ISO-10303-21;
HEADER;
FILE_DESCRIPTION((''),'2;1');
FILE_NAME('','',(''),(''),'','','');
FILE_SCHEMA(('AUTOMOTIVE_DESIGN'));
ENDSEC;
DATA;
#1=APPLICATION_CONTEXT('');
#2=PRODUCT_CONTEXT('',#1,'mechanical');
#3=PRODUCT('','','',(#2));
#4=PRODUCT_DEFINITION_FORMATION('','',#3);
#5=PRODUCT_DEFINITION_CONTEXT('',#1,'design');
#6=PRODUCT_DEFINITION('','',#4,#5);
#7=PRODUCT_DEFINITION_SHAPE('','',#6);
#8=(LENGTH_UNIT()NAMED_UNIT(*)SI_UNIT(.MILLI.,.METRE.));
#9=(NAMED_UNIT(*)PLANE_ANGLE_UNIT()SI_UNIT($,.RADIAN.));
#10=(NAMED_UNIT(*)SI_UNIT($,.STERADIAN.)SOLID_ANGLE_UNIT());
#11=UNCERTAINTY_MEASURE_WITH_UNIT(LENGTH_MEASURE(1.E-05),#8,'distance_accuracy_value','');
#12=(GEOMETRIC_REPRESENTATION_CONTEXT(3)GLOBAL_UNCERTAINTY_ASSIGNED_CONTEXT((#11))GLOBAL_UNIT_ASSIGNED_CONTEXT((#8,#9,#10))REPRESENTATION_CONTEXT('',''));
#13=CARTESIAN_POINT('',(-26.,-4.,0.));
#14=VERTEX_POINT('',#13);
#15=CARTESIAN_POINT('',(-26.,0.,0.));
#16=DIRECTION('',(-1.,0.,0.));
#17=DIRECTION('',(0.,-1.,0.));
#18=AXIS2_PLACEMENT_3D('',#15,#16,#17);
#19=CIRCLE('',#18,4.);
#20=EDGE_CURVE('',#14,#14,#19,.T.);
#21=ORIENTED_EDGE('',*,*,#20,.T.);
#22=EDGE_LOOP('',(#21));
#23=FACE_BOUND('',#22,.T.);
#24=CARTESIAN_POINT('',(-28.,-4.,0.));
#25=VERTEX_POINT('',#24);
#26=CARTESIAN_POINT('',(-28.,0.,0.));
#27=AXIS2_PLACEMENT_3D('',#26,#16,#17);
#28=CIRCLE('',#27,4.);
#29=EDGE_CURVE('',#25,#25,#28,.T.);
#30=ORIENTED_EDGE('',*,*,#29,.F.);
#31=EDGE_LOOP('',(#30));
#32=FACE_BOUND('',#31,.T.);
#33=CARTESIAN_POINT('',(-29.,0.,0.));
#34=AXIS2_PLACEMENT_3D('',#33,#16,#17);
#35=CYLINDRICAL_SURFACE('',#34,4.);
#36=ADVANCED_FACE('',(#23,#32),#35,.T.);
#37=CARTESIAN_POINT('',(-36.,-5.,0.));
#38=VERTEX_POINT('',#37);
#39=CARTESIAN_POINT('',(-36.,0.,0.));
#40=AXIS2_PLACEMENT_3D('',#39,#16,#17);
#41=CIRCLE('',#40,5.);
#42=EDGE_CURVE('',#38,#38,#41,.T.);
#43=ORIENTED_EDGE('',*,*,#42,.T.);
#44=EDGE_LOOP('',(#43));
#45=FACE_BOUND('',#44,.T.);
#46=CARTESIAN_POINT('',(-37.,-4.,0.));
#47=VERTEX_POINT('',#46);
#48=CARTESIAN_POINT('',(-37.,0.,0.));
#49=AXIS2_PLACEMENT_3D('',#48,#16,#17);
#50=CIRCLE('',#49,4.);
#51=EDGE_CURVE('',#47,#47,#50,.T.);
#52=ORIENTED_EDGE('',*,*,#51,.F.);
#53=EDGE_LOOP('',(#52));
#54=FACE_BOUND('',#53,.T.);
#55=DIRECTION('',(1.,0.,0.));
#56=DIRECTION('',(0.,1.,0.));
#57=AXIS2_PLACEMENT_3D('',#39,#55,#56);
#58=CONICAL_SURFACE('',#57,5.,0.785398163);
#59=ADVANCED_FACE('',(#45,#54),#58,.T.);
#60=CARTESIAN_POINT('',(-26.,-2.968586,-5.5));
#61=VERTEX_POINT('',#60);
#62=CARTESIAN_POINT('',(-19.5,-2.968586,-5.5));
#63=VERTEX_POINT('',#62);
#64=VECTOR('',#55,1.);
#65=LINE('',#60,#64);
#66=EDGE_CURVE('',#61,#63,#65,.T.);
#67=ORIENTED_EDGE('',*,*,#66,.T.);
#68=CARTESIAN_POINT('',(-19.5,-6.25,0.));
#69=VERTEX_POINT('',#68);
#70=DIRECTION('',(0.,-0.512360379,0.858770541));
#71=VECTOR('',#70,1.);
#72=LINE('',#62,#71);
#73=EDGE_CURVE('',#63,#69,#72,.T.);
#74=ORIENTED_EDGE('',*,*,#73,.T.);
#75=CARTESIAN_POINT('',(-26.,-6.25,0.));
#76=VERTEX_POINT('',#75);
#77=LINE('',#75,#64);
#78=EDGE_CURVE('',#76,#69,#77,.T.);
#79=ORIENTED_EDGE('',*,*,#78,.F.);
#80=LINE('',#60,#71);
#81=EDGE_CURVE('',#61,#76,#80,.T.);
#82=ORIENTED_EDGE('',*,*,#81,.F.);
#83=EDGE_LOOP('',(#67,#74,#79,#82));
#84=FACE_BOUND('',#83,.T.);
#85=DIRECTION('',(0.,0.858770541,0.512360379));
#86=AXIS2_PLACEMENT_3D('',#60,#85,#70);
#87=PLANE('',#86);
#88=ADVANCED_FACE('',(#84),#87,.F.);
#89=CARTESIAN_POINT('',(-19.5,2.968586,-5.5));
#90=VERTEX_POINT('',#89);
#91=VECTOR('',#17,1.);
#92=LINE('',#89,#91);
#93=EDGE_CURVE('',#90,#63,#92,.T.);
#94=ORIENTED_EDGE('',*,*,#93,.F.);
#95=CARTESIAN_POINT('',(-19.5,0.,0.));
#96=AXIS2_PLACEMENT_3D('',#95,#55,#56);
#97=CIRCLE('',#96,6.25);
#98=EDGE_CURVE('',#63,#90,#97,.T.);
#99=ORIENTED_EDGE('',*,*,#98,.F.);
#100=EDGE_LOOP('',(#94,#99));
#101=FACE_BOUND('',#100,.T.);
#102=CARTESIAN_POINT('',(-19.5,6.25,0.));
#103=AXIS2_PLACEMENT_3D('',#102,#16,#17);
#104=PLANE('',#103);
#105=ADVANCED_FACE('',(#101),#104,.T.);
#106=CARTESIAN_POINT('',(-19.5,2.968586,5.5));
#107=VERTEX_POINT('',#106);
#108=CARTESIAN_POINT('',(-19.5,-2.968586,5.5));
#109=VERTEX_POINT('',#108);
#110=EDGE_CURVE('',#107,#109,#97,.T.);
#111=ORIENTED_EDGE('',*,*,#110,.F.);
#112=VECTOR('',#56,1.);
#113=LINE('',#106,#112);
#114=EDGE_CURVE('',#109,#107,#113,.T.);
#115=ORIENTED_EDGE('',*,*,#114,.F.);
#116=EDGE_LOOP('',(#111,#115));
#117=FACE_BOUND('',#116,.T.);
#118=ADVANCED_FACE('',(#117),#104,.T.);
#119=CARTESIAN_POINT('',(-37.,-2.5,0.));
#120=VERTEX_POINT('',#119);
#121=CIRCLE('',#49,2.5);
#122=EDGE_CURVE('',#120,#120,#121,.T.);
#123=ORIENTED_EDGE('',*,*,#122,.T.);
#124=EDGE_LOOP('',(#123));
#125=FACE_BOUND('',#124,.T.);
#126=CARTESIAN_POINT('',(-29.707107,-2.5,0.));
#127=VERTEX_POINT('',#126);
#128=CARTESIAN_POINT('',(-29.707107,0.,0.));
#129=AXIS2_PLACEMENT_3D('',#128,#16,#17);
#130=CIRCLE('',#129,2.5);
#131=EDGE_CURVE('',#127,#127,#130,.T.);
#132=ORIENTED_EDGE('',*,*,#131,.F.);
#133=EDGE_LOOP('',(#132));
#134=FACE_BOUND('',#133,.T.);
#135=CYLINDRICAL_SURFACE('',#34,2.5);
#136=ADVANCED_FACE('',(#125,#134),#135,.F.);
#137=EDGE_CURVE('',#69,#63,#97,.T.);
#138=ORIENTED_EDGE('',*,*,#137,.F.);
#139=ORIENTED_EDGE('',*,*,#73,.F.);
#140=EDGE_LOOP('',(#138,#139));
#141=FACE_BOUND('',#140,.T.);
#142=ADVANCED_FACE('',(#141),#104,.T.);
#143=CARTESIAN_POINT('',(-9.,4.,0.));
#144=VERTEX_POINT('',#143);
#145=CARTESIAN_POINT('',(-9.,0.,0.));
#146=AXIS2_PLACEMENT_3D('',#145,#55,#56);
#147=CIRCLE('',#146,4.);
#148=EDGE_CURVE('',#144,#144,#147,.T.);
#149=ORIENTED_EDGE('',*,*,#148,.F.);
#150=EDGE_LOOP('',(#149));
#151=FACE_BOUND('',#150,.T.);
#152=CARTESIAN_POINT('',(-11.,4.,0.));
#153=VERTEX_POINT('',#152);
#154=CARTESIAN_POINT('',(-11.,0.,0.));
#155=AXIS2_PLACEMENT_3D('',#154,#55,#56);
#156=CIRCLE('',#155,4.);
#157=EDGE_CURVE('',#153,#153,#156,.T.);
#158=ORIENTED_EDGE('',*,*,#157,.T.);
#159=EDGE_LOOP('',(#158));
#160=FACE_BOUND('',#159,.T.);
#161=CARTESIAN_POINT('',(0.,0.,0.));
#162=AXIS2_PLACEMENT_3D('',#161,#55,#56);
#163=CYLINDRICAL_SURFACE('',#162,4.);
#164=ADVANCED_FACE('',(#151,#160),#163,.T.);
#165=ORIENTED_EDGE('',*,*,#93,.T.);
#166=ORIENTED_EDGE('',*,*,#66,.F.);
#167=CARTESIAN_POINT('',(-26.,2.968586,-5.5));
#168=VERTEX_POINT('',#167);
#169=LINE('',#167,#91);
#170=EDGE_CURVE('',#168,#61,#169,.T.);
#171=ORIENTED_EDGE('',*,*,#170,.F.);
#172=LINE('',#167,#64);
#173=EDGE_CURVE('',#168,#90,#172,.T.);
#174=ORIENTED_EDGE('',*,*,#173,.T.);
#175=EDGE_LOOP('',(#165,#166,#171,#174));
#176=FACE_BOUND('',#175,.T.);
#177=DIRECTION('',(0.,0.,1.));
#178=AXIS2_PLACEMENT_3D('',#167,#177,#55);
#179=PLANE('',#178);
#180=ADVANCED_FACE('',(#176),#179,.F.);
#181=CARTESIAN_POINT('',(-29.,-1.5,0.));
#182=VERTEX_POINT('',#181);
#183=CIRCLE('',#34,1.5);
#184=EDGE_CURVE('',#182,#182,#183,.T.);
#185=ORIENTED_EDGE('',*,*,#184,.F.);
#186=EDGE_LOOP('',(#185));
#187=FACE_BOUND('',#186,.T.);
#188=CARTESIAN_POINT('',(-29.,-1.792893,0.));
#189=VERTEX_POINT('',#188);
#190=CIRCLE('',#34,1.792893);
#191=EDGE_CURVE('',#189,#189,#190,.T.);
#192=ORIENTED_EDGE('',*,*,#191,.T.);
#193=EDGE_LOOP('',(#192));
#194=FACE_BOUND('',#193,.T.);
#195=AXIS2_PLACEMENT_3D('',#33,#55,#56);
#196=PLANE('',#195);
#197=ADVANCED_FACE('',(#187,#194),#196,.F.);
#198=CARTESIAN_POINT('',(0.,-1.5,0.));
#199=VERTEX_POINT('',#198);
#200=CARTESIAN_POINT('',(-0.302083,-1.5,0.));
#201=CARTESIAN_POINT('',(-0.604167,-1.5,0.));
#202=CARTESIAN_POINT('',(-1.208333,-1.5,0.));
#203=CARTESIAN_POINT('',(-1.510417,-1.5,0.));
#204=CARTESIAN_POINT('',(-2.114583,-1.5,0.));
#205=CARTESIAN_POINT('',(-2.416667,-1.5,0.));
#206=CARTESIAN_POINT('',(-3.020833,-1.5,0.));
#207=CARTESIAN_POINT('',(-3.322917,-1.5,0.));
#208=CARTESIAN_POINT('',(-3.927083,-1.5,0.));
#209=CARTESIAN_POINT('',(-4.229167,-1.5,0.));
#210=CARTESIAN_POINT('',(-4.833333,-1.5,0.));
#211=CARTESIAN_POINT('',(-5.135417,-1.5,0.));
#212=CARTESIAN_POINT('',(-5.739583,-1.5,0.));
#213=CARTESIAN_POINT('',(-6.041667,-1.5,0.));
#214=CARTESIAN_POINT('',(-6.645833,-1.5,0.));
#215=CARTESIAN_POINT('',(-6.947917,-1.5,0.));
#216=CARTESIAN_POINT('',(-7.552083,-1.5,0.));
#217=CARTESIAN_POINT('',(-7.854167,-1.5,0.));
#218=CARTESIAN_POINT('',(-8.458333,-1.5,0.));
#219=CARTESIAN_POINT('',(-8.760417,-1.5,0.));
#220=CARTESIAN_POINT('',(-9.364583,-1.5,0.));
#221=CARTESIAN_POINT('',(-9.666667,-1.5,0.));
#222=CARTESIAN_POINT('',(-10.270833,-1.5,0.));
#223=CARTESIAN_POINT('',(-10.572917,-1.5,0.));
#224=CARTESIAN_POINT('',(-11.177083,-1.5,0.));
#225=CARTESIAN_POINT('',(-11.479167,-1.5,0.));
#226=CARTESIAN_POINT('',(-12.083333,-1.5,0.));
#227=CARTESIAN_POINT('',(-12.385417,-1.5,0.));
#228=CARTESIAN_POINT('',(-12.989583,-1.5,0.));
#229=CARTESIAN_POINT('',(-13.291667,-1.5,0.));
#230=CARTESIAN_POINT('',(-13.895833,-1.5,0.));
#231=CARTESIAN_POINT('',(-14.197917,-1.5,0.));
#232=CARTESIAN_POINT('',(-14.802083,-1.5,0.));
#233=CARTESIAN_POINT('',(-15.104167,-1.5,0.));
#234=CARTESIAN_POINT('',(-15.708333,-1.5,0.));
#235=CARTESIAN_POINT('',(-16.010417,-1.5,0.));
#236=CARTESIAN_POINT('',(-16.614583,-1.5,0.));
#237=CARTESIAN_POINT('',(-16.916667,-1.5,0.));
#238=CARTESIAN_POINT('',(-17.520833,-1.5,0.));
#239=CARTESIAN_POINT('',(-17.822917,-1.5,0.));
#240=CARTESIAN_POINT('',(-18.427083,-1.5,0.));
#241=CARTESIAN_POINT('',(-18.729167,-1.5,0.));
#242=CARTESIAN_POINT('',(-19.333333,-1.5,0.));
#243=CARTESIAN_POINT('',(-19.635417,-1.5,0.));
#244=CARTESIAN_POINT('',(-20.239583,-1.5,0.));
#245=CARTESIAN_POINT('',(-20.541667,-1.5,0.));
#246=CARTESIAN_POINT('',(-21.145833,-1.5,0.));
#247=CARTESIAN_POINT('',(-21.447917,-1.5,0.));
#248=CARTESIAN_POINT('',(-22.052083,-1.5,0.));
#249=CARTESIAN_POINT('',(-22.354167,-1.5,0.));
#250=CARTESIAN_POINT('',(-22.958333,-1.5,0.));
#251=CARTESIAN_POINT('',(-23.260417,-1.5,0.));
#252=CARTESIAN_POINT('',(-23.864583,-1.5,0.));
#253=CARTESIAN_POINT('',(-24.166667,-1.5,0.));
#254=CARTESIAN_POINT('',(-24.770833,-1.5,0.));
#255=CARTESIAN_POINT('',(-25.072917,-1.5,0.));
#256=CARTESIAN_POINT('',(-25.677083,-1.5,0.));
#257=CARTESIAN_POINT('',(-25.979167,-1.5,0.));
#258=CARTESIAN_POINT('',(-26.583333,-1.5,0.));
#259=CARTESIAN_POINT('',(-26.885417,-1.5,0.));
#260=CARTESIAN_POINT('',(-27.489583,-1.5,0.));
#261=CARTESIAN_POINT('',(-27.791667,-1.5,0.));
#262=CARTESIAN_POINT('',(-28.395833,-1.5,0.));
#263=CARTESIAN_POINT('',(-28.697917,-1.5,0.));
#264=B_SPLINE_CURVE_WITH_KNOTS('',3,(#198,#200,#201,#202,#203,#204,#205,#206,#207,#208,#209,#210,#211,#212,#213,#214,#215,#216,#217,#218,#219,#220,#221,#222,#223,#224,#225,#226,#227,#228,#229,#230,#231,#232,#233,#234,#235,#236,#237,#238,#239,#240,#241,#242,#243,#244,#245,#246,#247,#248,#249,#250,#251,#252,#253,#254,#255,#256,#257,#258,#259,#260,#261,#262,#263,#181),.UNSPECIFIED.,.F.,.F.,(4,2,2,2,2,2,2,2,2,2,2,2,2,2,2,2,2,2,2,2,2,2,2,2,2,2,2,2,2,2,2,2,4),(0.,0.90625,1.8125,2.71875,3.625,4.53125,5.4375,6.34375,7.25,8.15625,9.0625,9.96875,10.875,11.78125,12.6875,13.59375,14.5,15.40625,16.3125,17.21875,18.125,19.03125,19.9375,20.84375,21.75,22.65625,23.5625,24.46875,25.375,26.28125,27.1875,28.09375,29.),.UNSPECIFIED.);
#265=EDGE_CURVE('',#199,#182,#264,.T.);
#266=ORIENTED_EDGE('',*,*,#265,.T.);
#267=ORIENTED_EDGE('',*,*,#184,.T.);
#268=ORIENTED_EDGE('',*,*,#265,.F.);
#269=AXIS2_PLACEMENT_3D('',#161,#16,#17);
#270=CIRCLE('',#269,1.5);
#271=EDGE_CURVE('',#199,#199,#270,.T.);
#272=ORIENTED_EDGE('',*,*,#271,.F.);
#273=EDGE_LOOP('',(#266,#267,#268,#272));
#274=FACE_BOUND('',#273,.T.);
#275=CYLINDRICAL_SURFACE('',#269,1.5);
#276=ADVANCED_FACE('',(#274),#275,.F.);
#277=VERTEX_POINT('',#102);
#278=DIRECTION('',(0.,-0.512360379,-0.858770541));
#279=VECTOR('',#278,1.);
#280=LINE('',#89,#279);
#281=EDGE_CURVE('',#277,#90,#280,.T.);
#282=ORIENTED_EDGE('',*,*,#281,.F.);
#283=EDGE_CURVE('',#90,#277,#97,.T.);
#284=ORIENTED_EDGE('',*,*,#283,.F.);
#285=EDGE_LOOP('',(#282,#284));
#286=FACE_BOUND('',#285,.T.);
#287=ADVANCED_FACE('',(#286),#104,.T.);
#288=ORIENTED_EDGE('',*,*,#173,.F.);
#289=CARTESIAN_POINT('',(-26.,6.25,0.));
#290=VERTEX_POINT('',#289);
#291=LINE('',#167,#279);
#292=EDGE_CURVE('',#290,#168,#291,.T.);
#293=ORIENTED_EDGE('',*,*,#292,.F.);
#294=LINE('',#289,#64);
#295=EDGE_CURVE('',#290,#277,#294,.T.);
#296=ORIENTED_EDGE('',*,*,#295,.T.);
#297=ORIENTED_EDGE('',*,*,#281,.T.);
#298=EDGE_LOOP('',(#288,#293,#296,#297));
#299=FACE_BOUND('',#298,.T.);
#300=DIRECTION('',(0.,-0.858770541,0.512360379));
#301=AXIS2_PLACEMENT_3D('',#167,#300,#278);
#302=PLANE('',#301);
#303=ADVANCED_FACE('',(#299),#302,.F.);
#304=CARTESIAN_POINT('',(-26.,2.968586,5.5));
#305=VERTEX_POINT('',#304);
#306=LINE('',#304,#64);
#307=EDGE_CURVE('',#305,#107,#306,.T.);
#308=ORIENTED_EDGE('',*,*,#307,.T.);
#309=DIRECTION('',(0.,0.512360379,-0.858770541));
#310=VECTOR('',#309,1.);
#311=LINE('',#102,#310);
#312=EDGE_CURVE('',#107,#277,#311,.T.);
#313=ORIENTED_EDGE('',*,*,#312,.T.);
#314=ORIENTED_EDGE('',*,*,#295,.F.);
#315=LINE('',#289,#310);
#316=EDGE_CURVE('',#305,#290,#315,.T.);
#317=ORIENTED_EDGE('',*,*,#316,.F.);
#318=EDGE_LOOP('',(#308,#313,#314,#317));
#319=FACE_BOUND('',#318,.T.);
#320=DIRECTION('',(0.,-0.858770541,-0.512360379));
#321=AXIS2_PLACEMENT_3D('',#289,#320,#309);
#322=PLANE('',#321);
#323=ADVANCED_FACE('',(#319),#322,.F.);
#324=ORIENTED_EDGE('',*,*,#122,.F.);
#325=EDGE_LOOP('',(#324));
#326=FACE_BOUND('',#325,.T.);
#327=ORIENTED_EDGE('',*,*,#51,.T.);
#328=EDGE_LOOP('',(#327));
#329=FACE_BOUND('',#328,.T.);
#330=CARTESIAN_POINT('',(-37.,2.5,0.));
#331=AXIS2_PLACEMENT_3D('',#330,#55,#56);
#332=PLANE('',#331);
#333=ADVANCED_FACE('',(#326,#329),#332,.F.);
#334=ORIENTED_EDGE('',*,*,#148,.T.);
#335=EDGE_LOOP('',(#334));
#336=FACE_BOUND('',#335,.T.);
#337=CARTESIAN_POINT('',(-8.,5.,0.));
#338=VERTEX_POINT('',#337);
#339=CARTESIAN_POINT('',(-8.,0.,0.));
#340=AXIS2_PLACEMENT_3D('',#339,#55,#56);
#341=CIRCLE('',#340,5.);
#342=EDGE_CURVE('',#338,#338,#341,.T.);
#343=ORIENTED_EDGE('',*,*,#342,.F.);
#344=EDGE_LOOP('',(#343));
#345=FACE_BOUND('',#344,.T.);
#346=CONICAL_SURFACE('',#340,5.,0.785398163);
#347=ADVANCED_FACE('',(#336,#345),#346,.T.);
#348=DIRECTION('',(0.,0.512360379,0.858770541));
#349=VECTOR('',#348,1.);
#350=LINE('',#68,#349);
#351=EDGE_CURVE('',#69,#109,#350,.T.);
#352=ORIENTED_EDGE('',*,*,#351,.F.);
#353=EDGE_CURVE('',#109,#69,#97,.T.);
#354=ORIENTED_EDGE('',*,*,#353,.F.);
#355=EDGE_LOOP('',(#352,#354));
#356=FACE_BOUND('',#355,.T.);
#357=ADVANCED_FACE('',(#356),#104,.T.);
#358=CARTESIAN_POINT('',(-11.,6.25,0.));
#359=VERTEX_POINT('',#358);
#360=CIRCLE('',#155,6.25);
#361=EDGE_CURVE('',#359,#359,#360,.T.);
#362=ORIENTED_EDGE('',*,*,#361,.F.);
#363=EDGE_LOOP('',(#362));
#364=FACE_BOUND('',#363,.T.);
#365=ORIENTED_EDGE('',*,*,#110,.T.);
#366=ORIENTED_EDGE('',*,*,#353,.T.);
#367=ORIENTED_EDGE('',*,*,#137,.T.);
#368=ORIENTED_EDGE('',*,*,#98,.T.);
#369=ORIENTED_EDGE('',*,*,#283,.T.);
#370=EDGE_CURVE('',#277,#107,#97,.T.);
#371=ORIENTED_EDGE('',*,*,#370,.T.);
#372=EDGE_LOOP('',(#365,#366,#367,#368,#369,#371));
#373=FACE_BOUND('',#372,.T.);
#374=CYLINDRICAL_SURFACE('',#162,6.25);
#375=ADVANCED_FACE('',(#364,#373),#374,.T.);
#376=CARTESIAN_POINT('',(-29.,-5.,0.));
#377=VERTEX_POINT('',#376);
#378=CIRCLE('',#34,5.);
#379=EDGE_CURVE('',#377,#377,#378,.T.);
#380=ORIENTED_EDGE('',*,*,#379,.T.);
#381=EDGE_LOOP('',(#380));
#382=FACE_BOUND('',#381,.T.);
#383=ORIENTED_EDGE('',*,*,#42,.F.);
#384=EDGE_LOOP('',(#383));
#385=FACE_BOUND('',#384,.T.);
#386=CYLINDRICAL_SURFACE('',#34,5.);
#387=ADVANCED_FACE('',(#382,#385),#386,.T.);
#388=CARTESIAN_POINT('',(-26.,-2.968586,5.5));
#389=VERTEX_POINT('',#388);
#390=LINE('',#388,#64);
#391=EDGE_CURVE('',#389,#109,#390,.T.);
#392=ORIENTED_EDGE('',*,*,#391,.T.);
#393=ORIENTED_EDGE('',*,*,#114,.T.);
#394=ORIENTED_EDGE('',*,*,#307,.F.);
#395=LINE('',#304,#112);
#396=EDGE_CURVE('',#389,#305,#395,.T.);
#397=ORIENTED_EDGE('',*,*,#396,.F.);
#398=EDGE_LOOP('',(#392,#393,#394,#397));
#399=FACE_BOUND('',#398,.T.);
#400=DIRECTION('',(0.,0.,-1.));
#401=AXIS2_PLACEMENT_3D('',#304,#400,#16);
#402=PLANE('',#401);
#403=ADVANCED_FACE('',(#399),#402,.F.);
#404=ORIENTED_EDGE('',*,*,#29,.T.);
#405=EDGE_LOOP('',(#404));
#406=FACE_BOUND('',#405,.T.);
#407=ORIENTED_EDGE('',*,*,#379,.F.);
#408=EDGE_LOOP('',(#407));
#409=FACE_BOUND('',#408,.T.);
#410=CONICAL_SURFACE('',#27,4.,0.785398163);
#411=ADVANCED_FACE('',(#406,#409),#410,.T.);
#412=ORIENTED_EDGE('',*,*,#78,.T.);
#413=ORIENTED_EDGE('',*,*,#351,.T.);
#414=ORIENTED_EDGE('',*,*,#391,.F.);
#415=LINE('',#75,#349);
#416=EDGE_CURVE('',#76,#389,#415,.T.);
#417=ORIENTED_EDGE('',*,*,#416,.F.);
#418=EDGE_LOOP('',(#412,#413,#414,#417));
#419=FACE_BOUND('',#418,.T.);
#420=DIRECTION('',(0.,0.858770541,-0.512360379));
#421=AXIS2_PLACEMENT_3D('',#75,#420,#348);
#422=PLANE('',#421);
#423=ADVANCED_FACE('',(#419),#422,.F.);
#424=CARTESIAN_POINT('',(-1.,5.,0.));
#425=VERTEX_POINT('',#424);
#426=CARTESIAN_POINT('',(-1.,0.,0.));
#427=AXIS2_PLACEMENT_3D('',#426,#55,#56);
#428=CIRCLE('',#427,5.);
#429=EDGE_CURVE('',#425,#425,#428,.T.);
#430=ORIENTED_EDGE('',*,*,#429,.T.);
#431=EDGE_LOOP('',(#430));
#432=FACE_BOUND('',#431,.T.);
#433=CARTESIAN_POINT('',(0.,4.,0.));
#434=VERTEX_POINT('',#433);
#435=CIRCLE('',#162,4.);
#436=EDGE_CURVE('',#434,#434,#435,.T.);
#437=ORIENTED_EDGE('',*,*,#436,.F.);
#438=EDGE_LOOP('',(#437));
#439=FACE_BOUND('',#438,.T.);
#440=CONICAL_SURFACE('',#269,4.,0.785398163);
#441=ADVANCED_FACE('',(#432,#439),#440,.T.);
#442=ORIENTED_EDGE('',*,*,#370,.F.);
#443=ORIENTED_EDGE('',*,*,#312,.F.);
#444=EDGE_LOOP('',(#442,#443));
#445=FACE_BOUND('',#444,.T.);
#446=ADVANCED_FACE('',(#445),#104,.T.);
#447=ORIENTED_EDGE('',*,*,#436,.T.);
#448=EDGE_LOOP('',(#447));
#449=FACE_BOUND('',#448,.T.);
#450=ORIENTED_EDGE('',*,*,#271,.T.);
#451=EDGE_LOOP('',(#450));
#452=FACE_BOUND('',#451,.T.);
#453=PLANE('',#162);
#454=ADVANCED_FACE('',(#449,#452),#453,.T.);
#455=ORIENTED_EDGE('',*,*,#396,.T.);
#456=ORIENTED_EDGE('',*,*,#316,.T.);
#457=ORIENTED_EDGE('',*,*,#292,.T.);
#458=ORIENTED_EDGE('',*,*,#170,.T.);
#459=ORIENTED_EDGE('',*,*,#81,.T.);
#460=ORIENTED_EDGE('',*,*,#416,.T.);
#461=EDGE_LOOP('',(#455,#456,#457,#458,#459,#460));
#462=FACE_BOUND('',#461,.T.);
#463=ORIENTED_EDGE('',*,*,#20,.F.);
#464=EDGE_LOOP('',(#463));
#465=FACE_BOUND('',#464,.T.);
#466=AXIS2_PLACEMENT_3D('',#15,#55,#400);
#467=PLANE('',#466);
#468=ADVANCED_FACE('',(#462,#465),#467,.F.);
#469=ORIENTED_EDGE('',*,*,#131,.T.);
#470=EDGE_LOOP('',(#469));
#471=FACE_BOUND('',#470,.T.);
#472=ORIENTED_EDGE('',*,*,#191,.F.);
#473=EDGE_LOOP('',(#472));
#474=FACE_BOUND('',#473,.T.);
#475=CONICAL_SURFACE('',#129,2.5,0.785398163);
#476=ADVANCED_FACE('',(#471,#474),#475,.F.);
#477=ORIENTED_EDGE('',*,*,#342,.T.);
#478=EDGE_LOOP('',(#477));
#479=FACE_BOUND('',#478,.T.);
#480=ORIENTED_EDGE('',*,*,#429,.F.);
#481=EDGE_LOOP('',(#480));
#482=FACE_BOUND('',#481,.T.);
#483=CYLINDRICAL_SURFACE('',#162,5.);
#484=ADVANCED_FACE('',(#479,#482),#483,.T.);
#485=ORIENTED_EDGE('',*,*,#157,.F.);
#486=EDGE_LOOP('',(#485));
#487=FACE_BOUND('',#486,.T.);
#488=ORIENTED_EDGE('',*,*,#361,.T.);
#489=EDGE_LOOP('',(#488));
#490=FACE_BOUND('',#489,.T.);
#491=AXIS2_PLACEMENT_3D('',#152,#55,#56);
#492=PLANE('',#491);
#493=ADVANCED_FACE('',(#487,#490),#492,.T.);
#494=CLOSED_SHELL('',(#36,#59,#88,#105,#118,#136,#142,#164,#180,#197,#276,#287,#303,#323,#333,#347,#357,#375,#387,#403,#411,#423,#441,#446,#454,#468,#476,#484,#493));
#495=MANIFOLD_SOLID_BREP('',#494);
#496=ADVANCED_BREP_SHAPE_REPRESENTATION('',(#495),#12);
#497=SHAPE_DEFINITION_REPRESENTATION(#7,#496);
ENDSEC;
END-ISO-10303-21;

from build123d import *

# Parameters (mm, degrees)
RESSALTO_EXTRUS_O1_DEPTH = 6.5
ESBO_O4_R                = 1.5
CORTE_EXTRUS_O1_DEPTH    = 31.317074397


with BuildPart() as part:
    # Esboço1 → Revolução1 (revolve)
    with BuildSketch(Plane.XY):
        Polygon((0, 0), (-19.5, 0), (-19.5, 6.25), (-11, 6.25), (-11, 4), (-9, 4), (-8, 5), (-1, 5), (0, 4), align=None)
    revolve(axis=Axis((0, 0, 0), (-1, 0, 0)))

    # Esboço2 → Ressalto-extrusão1 (add)
    with BuildSketch(Plane.ZY.offset(19.5)):
        Polygon((-5.5, 2.968585522), (-5.5, -2.968585522), (0, -6.25), (5.5, -2.968585522), (5.5, 2.968585522), (0, 6.25), align=None)
    extrude(amount=RESSALTO_EXTRUS_O1_DEPTH)

    # Esboço3 → Revolução2 (revolve)
    with BuildSketch(Plane.XY, mode=Mode.PRIVATE) as revolu_o2_sk:
        Polygon((-29, 0), (-26, 0), (-26, 4), (-28, 4), (-29, 5), (-36, 5), (-37, 4), (-37, 2.5), (-29.707106781, 2.5), (-29, 1.792893219), align=None)
    revolve(revolu_o2_sk.sketch.rotate(Axis((-29, 0, 0), (1, 0, 0)), 180), axis=Axis((-29, 0, 0), (1, 0, 0)))

    # Esboço4 → Corte-extrusão1 (cut, through all)
    with BuildSketch(Plane.ZY.offset(29)):
        with Locations(Location((0, 0, 0), (0, 0, 270))):
            Circle(ESBO_O4_R)
    extrude(amount=-CORTE_EXTRUS_O1_DEPTH, mode=Mode.SUBTRACT)


solid = part.part
